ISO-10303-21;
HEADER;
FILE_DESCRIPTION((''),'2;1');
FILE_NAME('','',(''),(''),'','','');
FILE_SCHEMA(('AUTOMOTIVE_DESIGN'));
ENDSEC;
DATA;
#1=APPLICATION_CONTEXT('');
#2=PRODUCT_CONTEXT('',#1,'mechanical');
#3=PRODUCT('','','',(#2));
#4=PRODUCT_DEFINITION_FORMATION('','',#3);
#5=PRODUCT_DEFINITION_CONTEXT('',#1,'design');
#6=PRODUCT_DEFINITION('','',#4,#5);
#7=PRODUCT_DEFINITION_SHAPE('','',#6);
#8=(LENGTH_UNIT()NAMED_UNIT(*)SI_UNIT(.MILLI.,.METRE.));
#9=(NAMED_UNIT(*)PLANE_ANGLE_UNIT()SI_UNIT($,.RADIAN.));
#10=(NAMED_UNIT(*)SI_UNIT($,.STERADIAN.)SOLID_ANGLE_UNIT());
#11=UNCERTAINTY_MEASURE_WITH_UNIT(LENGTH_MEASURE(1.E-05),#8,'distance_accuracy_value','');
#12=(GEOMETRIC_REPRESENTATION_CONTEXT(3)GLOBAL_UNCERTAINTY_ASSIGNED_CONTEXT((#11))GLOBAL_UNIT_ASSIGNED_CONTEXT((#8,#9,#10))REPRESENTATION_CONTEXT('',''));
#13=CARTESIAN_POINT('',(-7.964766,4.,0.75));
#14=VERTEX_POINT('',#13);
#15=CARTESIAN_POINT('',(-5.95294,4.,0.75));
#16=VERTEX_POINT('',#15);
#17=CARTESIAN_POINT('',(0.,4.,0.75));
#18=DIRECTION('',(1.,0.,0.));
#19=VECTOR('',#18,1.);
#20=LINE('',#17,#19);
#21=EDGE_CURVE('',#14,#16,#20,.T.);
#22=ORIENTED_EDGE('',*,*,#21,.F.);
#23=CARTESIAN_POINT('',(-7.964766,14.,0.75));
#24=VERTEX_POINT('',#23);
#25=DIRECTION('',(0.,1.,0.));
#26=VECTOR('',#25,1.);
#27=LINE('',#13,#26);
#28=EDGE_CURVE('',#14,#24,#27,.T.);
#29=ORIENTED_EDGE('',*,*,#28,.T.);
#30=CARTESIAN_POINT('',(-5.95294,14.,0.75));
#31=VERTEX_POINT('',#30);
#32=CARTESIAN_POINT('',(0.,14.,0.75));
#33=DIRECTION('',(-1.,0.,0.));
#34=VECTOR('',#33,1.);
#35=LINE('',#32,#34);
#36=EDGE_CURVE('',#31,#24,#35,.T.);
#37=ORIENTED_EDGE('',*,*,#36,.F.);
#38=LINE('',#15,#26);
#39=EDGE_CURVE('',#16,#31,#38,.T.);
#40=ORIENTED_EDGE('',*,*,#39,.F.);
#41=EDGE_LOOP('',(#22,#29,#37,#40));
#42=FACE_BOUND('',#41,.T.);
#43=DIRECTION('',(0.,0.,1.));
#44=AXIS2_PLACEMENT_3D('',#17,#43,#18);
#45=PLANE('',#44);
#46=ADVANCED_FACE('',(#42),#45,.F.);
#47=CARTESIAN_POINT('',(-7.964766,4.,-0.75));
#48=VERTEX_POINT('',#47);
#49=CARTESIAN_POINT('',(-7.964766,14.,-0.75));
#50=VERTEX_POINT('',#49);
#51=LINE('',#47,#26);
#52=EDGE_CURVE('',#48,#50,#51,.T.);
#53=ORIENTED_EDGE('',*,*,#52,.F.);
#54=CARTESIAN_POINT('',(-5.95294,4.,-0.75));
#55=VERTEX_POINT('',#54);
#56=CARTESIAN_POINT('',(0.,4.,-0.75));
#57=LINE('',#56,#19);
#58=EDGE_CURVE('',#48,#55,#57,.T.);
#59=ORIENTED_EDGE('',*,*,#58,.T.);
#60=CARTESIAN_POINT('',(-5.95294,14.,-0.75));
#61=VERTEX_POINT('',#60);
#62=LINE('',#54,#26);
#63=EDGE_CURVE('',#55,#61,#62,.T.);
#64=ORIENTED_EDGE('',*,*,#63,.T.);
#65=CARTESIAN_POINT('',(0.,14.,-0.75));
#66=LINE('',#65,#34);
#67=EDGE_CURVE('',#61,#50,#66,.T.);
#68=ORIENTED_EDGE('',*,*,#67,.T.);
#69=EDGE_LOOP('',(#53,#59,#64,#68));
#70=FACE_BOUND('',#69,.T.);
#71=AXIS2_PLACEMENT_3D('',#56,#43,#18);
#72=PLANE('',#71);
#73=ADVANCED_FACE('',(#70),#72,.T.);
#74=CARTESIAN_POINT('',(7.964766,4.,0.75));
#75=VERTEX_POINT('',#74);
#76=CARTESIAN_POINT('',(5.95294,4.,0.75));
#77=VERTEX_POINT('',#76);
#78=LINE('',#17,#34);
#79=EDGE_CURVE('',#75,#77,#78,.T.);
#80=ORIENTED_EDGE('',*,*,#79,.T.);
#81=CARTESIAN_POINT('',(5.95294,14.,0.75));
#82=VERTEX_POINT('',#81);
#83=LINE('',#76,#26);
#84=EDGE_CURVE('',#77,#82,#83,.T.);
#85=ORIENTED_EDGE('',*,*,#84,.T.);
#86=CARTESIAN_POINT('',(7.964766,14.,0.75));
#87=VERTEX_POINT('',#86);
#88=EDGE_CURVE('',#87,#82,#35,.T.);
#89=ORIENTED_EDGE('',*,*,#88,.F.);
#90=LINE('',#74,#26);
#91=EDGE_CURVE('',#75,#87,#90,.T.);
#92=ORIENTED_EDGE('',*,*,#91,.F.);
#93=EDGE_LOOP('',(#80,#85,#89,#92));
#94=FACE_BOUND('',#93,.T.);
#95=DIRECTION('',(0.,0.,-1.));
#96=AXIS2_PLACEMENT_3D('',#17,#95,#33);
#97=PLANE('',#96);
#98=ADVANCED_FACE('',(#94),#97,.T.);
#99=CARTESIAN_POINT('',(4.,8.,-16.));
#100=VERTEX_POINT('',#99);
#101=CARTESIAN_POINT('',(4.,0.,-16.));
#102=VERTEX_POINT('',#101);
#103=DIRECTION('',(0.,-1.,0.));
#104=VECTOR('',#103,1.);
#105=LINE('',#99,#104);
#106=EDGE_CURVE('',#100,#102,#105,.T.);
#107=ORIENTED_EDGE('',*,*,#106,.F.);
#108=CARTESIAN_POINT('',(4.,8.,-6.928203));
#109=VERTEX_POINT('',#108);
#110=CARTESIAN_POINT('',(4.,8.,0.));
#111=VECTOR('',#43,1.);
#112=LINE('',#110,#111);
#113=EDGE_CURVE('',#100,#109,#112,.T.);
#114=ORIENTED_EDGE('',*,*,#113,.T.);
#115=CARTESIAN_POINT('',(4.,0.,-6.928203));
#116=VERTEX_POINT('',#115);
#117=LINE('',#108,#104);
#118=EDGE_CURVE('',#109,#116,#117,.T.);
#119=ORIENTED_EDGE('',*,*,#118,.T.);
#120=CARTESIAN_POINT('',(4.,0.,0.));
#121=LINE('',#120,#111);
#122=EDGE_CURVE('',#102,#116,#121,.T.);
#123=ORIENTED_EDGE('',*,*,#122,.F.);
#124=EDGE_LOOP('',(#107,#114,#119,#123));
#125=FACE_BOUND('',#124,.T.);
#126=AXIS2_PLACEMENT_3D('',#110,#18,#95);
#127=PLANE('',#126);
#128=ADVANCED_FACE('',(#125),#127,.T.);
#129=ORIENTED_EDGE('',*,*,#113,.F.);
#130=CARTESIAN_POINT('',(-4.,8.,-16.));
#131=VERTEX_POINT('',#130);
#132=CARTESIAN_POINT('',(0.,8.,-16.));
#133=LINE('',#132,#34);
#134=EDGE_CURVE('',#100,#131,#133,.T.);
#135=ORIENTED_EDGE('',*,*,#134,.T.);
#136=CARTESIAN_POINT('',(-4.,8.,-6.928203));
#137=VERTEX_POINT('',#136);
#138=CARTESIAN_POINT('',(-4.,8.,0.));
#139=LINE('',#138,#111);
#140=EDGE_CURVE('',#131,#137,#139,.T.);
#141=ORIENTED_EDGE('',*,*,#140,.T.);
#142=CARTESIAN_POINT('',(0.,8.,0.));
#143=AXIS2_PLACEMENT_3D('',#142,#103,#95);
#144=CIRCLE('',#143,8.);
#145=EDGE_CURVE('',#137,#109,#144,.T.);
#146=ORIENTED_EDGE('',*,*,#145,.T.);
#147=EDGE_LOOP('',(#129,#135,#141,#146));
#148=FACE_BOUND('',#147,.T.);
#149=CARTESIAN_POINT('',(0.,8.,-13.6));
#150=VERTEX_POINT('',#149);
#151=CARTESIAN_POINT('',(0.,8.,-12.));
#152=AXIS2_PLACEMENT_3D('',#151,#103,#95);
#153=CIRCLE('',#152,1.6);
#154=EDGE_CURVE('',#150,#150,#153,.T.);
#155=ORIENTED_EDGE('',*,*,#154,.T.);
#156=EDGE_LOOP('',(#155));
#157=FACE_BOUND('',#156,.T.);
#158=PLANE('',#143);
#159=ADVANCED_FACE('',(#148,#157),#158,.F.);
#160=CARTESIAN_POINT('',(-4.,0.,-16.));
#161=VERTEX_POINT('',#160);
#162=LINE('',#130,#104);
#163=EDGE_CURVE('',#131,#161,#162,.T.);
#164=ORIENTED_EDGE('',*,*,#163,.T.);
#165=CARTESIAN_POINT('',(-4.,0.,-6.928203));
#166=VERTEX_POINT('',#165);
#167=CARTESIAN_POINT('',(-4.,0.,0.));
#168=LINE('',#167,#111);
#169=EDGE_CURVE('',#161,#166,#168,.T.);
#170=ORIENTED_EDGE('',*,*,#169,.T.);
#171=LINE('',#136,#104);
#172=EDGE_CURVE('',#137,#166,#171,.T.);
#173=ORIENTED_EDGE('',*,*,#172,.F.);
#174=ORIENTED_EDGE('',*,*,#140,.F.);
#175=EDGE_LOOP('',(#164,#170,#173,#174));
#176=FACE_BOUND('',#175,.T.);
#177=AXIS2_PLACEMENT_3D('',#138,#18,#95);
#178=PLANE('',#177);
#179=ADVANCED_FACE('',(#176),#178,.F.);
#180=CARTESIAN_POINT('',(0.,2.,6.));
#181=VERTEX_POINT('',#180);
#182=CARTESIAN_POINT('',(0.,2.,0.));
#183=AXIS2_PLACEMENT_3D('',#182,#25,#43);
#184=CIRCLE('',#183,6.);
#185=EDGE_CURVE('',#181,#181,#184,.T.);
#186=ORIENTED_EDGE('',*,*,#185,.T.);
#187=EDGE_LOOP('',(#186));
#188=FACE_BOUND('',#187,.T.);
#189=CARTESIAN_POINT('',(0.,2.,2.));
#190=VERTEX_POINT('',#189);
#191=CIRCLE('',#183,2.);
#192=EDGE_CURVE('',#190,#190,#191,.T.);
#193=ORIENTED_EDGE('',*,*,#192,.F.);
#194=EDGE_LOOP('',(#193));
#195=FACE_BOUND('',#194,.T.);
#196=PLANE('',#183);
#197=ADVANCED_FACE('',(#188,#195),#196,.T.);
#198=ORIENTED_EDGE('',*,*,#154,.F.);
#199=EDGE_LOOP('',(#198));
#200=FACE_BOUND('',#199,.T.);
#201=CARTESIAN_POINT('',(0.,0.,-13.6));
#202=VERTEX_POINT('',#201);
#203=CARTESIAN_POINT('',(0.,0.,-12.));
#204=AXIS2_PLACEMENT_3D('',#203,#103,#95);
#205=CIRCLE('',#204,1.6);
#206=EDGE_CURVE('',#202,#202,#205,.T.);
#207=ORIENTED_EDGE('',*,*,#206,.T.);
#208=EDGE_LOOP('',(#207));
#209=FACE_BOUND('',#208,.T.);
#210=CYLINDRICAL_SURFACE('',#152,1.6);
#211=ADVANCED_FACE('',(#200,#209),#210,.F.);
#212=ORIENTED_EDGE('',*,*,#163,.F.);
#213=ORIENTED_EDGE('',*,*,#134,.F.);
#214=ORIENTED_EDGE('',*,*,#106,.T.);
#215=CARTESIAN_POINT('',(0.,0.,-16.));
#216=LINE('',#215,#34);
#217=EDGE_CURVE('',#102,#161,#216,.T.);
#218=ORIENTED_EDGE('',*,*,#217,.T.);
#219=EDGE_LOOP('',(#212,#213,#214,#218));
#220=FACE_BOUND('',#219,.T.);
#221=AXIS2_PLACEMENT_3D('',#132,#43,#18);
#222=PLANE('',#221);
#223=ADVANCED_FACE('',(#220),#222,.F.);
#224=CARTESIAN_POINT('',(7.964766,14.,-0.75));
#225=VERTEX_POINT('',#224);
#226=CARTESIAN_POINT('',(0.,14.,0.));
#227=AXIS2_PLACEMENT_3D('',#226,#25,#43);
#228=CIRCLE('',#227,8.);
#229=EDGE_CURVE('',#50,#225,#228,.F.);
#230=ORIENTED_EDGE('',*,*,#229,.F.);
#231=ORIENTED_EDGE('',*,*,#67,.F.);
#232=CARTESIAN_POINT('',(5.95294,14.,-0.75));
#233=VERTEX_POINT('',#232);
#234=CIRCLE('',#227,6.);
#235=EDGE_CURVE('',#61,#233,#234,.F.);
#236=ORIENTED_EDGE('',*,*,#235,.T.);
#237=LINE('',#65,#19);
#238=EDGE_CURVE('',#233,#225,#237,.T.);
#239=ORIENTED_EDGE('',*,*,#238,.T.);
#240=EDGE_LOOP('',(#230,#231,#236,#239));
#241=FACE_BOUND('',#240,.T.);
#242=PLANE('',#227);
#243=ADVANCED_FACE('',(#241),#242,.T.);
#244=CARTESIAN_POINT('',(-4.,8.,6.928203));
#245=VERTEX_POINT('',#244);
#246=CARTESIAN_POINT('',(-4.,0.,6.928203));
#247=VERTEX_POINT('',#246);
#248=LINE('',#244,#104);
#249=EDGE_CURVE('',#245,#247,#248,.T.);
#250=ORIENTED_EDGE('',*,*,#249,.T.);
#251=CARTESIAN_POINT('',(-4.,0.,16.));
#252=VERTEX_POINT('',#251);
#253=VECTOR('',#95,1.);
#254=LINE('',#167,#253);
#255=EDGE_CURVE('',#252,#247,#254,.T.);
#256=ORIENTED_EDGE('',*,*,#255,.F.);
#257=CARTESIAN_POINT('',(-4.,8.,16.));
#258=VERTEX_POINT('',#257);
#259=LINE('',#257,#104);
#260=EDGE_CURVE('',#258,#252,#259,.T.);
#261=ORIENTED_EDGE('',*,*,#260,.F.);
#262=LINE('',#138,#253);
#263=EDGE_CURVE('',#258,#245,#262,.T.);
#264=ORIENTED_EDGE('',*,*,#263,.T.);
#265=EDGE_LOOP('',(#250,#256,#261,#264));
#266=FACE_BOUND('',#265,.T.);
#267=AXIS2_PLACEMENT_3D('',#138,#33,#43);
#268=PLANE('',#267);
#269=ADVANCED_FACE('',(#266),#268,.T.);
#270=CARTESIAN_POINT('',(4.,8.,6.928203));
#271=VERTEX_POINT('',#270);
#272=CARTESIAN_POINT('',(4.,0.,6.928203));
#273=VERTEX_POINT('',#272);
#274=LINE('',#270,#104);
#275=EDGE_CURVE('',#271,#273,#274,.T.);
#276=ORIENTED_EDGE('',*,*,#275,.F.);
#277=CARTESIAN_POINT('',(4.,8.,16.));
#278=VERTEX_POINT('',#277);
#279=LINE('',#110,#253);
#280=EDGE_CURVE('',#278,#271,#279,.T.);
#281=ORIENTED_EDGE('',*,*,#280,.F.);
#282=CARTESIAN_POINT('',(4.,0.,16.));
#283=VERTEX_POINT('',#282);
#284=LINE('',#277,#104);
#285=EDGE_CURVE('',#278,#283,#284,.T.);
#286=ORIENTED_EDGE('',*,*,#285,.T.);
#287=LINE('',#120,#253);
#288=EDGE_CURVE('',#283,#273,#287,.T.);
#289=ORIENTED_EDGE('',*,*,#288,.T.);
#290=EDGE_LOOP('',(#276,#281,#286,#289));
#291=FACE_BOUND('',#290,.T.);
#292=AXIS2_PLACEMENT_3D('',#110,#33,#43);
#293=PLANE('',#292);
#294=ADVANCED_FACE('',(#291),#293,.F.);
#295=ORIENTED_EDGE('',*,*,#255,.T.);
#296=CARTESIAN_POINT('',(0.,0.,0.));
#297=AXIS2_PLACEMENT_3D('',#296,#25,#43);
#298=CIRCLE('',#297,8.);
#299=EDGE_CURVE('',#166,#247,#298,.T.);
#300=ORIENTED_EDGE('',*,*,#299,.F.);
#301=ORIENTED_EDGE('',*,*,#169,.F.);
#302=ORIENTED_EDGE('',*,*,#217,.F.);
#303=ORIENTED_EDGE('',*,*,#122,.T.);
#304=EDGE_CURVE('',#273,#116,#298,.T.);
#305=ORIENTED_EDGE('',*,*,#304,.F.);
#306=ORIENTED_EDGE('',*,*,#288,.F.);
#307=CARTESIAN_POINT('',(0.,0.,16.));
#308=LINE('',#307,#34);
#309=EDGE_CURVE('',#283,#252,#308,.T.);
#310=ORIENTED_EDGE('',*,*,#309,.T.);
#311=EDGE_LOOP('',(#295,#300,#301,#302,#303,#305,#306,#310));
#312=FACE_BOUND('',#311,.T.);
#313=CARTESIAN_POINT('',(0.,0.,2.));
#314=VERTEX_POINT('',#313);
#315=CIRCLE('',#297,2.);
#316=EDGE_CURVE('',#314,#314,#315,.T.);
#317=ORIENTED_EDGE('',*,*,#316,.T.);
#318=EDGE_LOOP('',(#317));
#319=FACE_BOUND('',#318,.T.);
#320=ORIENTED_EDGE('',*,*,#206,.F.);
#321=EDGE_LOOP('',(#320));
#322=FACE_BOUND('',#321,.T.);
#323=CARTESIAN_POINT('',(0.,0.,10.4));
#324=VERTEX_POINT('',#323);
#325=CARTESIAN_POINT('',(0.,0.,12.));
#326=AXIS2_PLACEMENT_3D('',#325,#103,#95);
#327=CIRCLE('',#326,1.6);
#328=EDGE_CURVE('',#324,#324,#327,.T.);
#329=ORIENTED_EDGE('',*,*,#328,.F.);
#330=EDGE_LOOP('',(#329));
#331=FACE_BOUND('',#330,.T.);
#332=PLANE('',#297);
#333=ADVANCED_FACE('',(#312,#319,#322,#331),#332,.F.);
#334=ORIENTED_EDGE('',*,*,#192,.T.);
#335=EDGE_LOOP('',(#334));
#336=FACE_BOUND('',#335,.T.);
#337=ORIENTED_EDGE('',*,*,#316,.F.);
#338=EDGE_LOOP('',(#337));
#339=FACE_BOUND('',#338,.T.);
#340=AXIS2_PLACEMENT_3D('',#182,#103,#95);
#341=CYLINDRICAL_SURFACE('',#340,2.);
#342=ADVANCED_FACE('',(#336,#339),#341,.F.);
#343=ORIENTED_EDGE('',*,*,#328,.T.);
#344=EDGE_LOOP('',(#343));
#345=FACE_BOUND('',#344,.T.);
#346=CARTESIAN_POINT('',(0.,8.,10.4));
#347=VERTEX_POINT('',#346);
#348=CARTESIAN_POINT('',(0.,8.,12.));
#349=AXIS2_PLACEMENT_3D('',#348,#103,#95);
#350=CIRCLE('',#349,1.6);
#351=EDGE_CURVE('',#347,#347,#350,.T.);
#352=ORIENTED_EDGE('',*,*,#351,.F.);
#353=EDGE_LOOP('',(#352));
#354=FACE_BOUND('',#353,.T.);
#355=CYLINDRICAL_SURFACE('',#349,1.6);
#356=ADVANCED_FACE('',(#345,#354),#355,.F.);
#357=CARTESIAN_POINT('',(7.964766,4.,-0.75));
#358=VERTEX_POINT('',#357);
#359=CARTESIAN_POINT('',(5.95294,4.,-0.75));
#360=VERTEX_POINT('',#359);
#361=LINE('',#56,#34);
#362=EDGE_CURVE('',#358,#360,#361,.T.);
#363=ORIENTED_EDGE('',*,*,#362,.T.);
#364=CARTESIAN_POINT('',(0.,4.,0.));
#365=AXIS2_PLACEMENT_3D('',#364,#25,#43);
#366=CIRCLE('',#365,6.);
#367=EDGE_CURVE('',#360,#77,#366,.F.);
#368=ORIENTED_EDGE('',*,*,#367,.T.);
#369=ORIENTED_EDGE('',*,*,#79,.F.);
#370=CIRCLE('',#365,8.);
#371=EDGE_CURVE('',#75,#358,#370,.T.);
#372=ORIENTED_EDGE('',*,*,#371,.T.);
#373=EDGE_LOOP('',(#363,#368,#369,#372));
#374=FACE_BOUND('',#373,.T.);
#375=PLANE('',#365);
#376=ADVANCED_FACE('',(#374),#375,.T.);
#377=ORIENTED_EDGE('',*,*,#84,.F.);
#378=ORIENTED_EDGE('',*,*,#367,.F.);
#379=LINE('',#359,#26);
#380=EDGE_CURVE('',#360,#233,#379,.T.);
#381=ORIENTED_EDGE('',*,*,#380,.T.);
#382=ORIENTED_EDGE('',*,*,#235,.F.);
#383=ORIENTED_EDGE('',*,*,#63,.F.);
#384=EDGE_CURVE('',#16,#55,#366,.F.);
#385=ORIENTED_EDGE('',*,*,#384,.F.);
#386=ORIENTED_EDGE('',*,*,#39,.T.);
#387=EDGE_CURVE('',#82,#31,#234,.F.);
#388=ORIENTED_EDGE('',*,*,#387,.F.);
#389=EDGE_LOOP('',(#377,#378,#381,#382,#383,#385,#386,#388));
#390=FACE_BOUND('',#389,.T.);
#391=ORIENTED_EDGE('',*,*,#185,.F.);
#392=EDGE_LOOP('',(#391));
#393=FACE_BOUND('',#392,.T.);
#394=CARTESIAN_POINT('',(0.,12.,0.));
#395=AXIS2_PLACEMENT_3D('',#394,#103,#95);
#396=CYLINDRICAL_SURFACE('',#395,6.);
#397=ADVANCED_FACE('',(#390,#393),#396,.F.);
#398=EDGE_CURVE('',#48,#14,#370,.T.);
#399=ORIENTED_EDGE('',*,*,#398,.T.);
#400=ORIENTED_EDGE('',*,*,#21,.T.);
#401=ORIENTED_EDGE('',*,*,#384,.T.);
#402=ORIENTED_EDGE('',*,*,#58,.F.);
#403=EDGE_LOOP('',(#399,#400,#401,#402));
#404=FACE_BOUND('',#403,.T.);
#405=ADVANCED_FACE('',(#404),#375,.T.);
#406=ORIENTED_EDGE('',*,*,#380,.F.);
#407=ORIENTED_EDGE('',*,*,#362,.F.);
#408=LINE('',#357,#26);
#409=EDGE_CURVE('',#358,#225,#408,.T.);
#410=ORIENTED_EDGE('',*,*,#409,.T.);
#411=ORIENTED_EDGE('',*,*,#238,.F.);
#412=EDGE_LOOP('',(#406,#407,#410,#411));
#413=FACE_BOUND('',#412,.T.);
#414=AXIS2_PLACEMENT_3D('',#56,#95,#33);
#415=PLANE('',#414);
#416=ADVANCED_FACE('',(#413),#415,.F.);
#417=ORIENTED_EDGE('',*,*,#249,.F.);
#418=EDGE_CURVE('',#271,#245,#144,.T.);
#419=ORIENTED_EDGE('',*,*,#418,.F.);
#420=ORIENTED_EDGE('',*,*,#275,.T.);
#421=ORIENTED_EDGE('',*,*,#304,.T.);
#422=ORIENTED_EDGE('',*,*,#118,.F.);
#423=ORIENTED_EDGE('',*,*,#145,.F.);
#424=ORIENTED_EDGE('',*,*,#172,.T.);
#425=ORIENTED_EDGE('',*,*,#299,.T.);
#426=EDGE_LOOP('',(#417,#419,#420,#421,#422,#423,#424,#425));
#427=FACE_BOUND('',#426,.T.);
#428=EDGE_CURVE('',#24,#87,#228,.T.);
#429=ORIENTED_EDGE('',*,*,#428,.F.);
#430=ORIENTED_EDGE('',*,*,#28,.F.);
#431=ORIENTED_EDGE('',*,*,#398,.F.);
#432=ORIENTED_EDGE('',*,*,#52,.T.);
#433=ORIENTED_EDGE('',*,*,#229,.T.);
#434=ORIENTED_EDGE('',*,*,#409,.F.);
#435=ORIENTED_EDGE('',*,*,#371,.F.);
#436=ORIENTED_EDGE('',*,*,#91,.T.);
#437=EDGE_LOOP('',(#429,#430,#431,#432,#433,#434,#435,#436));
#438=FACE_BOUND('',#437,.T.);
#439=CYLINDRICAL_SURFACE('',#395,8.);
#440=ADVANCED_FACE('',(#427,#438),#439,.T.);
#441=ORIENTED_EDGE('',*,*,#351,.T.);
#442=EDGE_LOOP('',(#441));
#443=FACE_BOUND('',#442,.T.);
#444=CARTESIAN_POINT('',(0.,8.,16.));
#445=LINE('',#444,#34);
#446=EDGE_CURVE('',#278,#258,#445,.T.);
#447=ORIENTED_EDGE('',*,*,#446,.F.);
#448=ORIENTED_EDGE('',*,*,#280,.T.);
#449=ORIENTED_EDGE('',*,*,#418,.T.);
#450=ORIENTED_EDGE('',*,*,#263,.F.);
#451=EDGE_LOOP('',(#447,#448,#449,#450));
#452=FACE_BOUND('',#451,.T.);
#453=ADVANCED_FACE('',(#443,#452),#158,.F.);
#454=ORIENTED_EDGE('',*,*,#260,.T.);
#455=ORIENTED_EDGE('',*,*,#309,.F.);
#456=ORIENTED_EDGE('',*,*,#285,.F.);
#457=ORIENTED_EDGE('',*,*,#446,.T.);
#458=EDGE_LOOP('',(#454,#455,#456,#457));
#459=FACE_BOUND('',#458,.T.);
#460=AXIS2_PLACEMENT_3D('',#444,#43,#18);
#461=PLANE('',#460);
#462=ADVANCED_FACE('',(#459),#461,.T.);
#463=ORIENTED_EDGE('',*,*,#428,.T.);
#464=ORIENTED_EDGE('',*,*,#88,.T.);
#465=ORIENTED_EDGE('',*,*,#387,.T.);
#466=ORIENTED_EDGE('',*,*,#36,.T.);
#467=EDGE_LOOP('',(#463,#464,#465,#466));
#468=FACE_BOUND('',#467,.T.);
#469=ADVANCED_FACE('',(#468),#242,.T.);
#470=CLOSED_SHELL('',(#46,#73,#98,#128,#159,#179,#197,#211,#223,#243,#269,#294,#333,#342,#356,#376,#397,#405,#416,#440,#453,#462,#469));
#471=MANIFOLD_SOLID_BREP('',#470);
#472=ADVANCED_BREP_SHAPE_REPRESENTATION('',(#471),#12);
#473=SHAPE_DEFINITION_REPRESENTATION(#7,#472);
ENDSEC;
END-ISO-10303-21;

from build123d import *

# Parameters (mm, degrees)
ESQUISSE1_R             = 8
ESQUISSE1_R_2           = 6
BOSS_EXTRU_1_DEPTH      = 12
ESQUISSE1_3_R           = 6
ESQUISSE1_3_R_2         = 2
BOSS_EXTRU_2_DEPTH      = 2
ENL_V_START             = -8
ENL_V_MAT_EXTRU_1_DEPTH = 8
ESQUISSE3_R             = 1.6
BOSS_EXTRU_5_DEPTH      = 8
BOSS_EXTRU_6_DEPTH      = 2


with BuildPart() as part:
    # Esquisse1 → Boss.-Extru.1 (new body)
    with BuildSketch(Plane(origin=(0, 0, 0), x_dir=(1, 0, 0), z_dir=(0, 1, 0))):
        Circle(ESQUISSE1_R)
        Circle(ESQUISSE1_R_2, mode=Mode.SUBTRACT)
    extrude(amount=BOSS_EXTRU_1_DEPTH)

    # Esquisse1<3> → Boss.-Extru.2 (add)
    with BuildSketch(Plane(origin=(0, 0, 0), x_dir=(1, 0, 0), z_dir=(0, 1, 0))):
        Circle(ESQUISSE1_3_R)
        Circle(ESQUISSE1_3_R_2, mode=Mode.SUBTRACT)
    extrude(amount=BOSS_EXTRU_2_DEPTH)

    # Esquisse2 → Enlèv. mat.-Extru.1 (cut)
    with BuildSketch(Plane(origin=(0, 12, 0), x_dir=(1, 0, 0), z_dir=(0, 1, 0)).offset(ENL_V_START)):
        with BuildLine():
            ThreePointArc((-7.964766161, 0.75), (-8, 0), (-7.964766161, -0.75))
            Line((-7.964766161, -0.75), (-5.95294045, -0.75))
            ThreePointArc((-5.95294045, -0.75), (-6, 0), (-5.95294045, 0.75))
            Line((-5.95294045, 0.75), (-7.964766161, 0.75))
        make_face()
        with BuildLine():
            ThreePointArc((7.964766161, -0.75), (8, 0), (7.964766161, 0.75))
            Line((7.964766161, 0.75), (5.95294045, 0.75))
            ThreePointArc((5.95294045, 0.75), (6, 0), (5.95294045, -0.75))
            Line((5.95294045, -0.75), (7.964766161, -0.75))
        make_face()
    extrude(amount=ENL_V_MAT_EXTRU_1_DEPTH, mode=Mode.SUBTRACT)

    # Esquisse3 → Boss.-Extru.5 (add)
    # profile 1 of 2: a face of its own
    with BuildSketch(Plane.XZ):
        with BuildLine():
            Line((-4, -16), (4, -16))
            Line((4, -16), (4, -6.92820323))
            ThreePointArc((4, -6.92820323), (2.070552361, -7.72740661), (0, -8))
            ThreePointArc((0, -8), (-2.070552361, -7.72740661), (-4, -6.92820323))
            Line((-4, -6.92820323), (-4, -16))
        make_face()
        with Locations((0, -12)):
            Circle(ESQUISSE3_R, mode=Mode.SUBTRACT)
    # profile 2 of 2: a face of its own
    with BuildSketch(Plane.XZ):
        with BuildLine():
            Line((-4, 16), (-4, 6.92820323))
            ThreePointArc((-4, 6.92820323), (0, 8), (4, 6.92820323))
            Line((4, 6.92820323), (4, 16))
            Line((4, 16), (-4, 16))
        make_face()
        with Locations((0, 12)):
            Circle(ESQUISSE3_R, mode=Mode.SUBTRACT)
    extrude(amount=-BOSS_EXTRU_5_DEPTH)

    # Esquisse4 → Boss.-Extru.6 (add)
    with BuildSketch(Plane(origin=(0, 12, 0), x_dir=(1, 0, 0), z_dir=(0, 1, 0))):
        with BuildLine():
            Line((-5.95294045, -0.75), (-7.964766161, -0.75))
            ThreePointArc((-7.964766161, -0.75), (0, -8), (7.964766161, -0.75))
            Line((7.964766161, -0.75), (5.95294045, -0.75))
            ThreePointArc((5.95294045, -0.75), (0, -6), (-5.95294045, -0.75))
        make_face()
        with BuildLine():
            ThreePointArc((-5.95294045, 0.75), (0, 6), (5.95294045, 0.75))
            Line((5.95294045, 0.75), (7.964766161, 0.75))
            ThreePointArc((7.964766161, 0.75), (0, 8), (-7.964766161, 0.75))
            Line((-7.964766161, 0.75), (-5.95294045, 0.75))
        make_face()
    extrude(amount=BOSS_EXTRU_6_DEPTH)


solid = part.part
